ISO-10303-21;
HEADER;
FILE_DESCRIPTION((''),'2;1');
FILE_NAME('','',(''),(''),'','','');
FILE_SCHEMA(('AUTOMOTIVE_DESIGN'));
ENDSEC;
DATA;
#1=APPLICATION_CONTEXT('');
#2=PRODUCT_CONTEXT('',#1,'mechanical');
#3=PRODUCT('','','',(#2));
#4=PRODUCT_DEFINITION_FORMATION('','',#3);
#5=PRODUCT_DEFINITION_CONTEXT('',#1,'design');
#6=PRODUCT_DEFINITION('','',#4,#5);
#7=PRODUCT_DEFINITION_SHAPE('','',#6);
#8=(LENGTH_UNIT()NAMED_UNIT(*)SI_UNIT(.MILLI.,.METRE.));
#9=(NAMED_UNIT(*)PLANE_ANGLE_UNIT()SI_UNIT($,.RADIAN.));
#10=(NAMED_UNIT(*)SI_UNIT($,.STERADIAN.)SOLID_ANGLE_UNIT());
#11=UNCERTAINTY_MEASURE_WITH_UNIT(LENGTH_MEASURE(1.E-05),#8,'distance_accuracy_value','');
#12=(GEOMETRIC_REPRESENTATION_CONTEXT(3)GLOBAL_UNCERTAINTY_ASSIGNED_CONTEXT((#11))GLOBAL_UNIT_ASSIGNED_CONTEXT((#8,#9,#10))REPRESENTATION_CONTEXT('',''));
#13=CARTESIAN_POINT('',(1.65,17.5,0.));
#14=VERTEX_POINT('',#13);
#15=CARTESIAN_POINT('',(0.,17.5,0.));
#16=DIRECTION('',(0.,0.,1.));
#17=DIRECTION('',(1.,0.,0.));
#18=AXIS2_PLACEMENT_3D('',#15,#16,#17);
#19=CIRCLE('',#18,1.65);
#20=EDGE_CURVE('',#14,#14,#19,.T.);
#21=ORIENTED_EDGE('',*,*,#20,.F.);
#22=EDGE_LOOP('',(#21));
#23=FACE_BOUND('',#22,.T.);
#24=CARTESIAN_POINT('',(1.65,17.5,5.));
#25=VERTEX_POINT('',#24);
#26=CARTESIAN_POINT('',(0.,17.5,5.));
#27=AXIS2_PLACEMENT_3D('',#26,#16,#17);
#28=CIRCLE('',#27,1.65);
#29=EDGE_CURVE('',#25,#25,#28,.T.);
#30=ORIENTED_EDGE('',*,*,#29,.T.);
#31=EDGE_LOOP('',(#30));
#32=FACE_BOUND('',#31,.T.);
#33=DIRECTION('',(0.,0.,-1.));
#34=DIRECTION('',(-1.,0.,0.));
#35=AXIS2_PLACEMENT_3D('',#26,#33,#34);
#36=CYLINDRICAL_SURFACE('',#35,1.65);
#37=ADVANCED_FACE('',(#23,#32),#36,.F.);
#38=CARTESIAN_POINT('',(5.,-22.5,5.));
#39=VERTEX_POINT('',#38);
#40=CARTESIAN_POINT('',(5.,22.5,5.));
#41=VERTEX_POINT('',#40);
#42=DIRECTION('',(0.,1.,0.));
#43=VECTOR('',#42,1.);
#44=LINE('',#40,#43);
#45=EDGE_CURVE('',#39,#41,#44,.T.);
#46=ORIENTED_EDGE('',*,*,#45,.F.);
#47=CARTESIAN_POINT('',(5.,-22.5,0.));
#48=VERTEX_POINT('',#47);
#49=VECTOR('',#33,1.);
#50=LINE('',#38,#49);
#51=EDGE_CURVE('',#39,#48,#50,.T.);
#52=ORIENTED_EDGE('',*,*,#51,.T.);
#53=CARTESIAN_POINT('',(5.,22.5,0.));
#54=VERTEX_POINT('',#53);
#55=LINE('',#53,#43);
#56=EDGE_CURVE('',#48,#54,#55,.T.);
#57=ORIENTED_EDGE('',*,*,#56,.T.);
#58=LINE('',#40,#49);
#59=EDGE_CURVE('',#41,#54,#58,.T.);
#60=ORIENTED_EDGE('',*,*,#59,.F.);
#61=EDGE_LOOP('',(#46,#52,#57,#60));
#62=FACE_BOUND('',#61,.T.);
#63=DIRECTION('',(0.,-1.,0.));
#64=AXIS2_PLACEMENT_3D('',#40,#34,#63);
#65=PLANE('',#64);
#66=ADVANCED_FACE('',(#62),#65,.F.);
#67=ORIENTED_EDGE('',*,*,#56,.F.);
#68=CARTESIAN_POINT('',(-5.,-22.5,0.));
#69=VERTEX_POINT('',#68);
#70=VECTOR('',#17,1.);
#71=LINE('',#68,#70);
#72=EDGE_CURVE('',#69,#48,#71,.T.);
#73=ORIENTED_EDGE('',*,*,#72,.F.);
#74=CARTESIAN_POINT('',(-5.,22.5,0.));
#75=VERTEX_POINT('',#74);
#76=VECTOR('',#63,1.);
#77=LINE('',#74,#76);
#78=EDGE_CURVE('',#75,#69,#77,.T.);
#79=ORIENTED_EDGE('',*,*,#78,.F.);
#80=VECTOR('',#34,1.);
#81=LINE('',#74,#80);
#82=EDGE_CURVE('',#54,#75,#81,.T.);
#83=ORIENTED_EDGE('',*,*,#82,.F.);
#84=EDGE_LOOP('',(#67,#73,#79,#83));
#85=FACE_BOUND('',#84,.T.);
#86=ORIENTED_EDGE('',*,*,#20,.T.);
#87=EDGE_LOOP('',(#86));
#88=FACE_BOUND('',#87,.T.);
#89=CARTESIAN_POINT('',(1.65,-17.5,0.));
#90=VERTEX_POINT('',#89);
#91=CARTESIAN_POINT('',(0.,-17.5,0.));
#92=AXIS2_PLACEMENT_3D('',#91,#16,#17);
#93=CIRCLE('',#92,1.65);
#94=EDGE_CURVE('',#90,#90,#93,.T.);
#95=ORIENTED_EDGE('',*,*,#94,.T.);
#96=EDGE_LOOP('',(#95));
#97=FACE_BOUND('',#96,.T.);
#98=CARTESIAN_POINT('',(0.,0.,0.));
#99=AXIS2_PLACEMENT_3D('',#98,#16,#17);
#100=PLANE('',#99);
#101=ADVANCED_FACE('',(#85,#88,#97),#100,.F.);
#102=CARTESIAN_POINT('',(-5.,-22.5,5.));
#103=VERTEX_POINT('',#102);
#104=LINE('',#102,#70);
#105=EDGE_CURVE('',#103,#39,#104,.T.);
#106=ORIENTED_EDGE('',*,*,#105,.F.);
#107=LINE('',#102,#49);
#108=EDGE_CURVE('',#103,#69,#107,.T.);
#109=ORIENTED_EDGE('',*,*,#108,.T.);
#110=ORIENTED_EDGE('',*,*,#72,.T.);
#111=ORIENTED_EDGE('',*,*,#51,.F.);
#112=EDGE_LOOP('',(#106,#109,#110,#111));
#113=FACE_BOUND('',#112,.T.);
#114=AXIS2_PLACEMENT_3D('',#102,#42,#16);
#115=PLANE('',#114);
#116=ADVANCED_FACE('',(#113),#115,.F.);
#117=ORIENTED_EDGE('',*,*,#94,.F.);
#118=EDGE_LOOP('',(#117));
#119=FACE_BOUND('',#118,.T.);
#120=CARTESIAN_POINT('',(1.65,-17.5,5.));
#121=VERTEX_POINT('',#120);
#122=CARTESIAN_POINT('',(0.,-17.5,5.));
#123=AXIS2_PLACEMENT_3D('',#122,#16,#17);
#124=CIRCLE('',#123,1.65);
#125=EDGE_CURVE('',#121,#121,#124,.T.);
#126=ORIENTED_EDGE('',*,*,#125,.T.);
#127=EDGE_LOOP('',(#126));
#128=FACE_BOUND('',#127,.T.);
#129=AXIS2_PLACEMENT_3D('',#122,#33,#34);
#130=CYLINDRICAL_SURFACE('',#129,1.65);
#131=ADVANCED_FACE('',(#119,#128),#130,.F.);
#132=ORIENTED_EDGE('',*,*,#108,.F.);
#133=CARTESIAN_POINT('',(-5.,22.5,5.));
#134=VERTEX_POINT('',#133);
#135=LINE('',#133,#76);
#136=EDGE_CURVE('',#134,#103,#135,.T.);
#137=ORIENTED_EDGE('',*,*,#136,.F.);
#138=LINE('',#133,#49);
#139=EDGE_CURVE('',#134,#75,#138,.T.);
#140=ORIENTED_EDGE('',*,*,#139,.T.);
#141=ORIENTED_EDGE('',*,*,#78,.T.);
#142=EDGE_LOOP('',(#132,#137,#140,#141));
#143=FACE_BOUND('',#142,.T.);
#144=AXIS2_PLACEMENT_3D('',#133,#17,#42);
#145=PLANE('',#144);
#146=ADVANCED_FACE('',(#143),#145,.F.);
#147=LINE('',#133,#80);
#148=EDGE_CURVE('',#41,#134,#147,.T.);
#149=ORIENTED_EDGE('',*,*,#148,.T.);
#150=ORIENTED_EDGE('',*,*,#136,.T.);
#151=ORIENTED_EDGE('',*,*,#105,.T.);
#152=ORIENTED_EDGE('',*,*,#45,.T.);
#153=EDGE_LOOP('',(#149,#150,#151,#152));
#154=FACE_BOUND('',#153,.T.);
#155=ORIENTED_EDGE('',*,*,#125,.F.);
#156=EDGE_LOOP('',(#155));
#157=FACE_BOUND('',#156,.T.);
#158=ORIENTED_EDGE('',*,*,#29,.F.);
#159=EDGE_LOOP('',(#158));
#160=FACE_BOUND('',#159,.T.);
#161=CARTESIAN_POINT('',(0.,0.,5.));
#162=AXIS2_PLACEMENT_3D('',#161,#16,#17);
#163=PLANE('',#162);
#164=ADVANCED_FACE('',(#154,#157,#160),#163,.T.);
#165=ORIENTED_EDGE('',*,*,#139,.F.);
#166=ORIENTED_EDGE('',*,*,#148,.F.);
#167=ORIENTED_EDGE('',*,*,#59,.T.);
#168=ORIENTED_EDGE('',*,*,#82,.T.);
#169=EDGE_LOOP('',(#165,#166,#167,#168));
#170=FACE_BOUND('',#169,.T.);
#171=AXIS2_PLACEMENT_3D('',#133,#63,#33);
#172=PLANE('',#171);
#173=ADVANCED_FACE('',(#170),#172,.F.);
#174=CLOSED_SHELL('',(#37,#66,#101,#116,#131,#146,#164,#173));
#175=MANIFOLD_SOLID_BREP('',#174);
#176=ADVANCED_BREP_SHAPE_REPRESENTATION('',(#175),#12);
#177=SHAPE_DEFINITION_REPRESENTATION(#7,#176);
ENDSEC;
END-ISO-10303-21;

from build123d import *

# Parameters (mm, degrees)
SKETCH_1_W      = 10
SKETCH_1_H      = 45
SKETCH_1_R      = 1.65
EXTRUDE_1_DEPTH = 5


with BuildPart() as part:
    # 草图1 → 凸台-拉伸1 (new body)
    with BuildSketch(Plane.XY):
        Rectangle(SKETCH_1_W, SKETCH_1_H)
        with Locations((0, 17.5)):
            Circle(SKETCH_1_R, mode=Mode.SUBTRACT)
        with Locations((0, -17.5)):
            Circle(SKETCH_1_R, mode=Mode.SUBTRACT)
    extrude(amount=EXTRUDE_1_DEPTH)


solid = part.part
